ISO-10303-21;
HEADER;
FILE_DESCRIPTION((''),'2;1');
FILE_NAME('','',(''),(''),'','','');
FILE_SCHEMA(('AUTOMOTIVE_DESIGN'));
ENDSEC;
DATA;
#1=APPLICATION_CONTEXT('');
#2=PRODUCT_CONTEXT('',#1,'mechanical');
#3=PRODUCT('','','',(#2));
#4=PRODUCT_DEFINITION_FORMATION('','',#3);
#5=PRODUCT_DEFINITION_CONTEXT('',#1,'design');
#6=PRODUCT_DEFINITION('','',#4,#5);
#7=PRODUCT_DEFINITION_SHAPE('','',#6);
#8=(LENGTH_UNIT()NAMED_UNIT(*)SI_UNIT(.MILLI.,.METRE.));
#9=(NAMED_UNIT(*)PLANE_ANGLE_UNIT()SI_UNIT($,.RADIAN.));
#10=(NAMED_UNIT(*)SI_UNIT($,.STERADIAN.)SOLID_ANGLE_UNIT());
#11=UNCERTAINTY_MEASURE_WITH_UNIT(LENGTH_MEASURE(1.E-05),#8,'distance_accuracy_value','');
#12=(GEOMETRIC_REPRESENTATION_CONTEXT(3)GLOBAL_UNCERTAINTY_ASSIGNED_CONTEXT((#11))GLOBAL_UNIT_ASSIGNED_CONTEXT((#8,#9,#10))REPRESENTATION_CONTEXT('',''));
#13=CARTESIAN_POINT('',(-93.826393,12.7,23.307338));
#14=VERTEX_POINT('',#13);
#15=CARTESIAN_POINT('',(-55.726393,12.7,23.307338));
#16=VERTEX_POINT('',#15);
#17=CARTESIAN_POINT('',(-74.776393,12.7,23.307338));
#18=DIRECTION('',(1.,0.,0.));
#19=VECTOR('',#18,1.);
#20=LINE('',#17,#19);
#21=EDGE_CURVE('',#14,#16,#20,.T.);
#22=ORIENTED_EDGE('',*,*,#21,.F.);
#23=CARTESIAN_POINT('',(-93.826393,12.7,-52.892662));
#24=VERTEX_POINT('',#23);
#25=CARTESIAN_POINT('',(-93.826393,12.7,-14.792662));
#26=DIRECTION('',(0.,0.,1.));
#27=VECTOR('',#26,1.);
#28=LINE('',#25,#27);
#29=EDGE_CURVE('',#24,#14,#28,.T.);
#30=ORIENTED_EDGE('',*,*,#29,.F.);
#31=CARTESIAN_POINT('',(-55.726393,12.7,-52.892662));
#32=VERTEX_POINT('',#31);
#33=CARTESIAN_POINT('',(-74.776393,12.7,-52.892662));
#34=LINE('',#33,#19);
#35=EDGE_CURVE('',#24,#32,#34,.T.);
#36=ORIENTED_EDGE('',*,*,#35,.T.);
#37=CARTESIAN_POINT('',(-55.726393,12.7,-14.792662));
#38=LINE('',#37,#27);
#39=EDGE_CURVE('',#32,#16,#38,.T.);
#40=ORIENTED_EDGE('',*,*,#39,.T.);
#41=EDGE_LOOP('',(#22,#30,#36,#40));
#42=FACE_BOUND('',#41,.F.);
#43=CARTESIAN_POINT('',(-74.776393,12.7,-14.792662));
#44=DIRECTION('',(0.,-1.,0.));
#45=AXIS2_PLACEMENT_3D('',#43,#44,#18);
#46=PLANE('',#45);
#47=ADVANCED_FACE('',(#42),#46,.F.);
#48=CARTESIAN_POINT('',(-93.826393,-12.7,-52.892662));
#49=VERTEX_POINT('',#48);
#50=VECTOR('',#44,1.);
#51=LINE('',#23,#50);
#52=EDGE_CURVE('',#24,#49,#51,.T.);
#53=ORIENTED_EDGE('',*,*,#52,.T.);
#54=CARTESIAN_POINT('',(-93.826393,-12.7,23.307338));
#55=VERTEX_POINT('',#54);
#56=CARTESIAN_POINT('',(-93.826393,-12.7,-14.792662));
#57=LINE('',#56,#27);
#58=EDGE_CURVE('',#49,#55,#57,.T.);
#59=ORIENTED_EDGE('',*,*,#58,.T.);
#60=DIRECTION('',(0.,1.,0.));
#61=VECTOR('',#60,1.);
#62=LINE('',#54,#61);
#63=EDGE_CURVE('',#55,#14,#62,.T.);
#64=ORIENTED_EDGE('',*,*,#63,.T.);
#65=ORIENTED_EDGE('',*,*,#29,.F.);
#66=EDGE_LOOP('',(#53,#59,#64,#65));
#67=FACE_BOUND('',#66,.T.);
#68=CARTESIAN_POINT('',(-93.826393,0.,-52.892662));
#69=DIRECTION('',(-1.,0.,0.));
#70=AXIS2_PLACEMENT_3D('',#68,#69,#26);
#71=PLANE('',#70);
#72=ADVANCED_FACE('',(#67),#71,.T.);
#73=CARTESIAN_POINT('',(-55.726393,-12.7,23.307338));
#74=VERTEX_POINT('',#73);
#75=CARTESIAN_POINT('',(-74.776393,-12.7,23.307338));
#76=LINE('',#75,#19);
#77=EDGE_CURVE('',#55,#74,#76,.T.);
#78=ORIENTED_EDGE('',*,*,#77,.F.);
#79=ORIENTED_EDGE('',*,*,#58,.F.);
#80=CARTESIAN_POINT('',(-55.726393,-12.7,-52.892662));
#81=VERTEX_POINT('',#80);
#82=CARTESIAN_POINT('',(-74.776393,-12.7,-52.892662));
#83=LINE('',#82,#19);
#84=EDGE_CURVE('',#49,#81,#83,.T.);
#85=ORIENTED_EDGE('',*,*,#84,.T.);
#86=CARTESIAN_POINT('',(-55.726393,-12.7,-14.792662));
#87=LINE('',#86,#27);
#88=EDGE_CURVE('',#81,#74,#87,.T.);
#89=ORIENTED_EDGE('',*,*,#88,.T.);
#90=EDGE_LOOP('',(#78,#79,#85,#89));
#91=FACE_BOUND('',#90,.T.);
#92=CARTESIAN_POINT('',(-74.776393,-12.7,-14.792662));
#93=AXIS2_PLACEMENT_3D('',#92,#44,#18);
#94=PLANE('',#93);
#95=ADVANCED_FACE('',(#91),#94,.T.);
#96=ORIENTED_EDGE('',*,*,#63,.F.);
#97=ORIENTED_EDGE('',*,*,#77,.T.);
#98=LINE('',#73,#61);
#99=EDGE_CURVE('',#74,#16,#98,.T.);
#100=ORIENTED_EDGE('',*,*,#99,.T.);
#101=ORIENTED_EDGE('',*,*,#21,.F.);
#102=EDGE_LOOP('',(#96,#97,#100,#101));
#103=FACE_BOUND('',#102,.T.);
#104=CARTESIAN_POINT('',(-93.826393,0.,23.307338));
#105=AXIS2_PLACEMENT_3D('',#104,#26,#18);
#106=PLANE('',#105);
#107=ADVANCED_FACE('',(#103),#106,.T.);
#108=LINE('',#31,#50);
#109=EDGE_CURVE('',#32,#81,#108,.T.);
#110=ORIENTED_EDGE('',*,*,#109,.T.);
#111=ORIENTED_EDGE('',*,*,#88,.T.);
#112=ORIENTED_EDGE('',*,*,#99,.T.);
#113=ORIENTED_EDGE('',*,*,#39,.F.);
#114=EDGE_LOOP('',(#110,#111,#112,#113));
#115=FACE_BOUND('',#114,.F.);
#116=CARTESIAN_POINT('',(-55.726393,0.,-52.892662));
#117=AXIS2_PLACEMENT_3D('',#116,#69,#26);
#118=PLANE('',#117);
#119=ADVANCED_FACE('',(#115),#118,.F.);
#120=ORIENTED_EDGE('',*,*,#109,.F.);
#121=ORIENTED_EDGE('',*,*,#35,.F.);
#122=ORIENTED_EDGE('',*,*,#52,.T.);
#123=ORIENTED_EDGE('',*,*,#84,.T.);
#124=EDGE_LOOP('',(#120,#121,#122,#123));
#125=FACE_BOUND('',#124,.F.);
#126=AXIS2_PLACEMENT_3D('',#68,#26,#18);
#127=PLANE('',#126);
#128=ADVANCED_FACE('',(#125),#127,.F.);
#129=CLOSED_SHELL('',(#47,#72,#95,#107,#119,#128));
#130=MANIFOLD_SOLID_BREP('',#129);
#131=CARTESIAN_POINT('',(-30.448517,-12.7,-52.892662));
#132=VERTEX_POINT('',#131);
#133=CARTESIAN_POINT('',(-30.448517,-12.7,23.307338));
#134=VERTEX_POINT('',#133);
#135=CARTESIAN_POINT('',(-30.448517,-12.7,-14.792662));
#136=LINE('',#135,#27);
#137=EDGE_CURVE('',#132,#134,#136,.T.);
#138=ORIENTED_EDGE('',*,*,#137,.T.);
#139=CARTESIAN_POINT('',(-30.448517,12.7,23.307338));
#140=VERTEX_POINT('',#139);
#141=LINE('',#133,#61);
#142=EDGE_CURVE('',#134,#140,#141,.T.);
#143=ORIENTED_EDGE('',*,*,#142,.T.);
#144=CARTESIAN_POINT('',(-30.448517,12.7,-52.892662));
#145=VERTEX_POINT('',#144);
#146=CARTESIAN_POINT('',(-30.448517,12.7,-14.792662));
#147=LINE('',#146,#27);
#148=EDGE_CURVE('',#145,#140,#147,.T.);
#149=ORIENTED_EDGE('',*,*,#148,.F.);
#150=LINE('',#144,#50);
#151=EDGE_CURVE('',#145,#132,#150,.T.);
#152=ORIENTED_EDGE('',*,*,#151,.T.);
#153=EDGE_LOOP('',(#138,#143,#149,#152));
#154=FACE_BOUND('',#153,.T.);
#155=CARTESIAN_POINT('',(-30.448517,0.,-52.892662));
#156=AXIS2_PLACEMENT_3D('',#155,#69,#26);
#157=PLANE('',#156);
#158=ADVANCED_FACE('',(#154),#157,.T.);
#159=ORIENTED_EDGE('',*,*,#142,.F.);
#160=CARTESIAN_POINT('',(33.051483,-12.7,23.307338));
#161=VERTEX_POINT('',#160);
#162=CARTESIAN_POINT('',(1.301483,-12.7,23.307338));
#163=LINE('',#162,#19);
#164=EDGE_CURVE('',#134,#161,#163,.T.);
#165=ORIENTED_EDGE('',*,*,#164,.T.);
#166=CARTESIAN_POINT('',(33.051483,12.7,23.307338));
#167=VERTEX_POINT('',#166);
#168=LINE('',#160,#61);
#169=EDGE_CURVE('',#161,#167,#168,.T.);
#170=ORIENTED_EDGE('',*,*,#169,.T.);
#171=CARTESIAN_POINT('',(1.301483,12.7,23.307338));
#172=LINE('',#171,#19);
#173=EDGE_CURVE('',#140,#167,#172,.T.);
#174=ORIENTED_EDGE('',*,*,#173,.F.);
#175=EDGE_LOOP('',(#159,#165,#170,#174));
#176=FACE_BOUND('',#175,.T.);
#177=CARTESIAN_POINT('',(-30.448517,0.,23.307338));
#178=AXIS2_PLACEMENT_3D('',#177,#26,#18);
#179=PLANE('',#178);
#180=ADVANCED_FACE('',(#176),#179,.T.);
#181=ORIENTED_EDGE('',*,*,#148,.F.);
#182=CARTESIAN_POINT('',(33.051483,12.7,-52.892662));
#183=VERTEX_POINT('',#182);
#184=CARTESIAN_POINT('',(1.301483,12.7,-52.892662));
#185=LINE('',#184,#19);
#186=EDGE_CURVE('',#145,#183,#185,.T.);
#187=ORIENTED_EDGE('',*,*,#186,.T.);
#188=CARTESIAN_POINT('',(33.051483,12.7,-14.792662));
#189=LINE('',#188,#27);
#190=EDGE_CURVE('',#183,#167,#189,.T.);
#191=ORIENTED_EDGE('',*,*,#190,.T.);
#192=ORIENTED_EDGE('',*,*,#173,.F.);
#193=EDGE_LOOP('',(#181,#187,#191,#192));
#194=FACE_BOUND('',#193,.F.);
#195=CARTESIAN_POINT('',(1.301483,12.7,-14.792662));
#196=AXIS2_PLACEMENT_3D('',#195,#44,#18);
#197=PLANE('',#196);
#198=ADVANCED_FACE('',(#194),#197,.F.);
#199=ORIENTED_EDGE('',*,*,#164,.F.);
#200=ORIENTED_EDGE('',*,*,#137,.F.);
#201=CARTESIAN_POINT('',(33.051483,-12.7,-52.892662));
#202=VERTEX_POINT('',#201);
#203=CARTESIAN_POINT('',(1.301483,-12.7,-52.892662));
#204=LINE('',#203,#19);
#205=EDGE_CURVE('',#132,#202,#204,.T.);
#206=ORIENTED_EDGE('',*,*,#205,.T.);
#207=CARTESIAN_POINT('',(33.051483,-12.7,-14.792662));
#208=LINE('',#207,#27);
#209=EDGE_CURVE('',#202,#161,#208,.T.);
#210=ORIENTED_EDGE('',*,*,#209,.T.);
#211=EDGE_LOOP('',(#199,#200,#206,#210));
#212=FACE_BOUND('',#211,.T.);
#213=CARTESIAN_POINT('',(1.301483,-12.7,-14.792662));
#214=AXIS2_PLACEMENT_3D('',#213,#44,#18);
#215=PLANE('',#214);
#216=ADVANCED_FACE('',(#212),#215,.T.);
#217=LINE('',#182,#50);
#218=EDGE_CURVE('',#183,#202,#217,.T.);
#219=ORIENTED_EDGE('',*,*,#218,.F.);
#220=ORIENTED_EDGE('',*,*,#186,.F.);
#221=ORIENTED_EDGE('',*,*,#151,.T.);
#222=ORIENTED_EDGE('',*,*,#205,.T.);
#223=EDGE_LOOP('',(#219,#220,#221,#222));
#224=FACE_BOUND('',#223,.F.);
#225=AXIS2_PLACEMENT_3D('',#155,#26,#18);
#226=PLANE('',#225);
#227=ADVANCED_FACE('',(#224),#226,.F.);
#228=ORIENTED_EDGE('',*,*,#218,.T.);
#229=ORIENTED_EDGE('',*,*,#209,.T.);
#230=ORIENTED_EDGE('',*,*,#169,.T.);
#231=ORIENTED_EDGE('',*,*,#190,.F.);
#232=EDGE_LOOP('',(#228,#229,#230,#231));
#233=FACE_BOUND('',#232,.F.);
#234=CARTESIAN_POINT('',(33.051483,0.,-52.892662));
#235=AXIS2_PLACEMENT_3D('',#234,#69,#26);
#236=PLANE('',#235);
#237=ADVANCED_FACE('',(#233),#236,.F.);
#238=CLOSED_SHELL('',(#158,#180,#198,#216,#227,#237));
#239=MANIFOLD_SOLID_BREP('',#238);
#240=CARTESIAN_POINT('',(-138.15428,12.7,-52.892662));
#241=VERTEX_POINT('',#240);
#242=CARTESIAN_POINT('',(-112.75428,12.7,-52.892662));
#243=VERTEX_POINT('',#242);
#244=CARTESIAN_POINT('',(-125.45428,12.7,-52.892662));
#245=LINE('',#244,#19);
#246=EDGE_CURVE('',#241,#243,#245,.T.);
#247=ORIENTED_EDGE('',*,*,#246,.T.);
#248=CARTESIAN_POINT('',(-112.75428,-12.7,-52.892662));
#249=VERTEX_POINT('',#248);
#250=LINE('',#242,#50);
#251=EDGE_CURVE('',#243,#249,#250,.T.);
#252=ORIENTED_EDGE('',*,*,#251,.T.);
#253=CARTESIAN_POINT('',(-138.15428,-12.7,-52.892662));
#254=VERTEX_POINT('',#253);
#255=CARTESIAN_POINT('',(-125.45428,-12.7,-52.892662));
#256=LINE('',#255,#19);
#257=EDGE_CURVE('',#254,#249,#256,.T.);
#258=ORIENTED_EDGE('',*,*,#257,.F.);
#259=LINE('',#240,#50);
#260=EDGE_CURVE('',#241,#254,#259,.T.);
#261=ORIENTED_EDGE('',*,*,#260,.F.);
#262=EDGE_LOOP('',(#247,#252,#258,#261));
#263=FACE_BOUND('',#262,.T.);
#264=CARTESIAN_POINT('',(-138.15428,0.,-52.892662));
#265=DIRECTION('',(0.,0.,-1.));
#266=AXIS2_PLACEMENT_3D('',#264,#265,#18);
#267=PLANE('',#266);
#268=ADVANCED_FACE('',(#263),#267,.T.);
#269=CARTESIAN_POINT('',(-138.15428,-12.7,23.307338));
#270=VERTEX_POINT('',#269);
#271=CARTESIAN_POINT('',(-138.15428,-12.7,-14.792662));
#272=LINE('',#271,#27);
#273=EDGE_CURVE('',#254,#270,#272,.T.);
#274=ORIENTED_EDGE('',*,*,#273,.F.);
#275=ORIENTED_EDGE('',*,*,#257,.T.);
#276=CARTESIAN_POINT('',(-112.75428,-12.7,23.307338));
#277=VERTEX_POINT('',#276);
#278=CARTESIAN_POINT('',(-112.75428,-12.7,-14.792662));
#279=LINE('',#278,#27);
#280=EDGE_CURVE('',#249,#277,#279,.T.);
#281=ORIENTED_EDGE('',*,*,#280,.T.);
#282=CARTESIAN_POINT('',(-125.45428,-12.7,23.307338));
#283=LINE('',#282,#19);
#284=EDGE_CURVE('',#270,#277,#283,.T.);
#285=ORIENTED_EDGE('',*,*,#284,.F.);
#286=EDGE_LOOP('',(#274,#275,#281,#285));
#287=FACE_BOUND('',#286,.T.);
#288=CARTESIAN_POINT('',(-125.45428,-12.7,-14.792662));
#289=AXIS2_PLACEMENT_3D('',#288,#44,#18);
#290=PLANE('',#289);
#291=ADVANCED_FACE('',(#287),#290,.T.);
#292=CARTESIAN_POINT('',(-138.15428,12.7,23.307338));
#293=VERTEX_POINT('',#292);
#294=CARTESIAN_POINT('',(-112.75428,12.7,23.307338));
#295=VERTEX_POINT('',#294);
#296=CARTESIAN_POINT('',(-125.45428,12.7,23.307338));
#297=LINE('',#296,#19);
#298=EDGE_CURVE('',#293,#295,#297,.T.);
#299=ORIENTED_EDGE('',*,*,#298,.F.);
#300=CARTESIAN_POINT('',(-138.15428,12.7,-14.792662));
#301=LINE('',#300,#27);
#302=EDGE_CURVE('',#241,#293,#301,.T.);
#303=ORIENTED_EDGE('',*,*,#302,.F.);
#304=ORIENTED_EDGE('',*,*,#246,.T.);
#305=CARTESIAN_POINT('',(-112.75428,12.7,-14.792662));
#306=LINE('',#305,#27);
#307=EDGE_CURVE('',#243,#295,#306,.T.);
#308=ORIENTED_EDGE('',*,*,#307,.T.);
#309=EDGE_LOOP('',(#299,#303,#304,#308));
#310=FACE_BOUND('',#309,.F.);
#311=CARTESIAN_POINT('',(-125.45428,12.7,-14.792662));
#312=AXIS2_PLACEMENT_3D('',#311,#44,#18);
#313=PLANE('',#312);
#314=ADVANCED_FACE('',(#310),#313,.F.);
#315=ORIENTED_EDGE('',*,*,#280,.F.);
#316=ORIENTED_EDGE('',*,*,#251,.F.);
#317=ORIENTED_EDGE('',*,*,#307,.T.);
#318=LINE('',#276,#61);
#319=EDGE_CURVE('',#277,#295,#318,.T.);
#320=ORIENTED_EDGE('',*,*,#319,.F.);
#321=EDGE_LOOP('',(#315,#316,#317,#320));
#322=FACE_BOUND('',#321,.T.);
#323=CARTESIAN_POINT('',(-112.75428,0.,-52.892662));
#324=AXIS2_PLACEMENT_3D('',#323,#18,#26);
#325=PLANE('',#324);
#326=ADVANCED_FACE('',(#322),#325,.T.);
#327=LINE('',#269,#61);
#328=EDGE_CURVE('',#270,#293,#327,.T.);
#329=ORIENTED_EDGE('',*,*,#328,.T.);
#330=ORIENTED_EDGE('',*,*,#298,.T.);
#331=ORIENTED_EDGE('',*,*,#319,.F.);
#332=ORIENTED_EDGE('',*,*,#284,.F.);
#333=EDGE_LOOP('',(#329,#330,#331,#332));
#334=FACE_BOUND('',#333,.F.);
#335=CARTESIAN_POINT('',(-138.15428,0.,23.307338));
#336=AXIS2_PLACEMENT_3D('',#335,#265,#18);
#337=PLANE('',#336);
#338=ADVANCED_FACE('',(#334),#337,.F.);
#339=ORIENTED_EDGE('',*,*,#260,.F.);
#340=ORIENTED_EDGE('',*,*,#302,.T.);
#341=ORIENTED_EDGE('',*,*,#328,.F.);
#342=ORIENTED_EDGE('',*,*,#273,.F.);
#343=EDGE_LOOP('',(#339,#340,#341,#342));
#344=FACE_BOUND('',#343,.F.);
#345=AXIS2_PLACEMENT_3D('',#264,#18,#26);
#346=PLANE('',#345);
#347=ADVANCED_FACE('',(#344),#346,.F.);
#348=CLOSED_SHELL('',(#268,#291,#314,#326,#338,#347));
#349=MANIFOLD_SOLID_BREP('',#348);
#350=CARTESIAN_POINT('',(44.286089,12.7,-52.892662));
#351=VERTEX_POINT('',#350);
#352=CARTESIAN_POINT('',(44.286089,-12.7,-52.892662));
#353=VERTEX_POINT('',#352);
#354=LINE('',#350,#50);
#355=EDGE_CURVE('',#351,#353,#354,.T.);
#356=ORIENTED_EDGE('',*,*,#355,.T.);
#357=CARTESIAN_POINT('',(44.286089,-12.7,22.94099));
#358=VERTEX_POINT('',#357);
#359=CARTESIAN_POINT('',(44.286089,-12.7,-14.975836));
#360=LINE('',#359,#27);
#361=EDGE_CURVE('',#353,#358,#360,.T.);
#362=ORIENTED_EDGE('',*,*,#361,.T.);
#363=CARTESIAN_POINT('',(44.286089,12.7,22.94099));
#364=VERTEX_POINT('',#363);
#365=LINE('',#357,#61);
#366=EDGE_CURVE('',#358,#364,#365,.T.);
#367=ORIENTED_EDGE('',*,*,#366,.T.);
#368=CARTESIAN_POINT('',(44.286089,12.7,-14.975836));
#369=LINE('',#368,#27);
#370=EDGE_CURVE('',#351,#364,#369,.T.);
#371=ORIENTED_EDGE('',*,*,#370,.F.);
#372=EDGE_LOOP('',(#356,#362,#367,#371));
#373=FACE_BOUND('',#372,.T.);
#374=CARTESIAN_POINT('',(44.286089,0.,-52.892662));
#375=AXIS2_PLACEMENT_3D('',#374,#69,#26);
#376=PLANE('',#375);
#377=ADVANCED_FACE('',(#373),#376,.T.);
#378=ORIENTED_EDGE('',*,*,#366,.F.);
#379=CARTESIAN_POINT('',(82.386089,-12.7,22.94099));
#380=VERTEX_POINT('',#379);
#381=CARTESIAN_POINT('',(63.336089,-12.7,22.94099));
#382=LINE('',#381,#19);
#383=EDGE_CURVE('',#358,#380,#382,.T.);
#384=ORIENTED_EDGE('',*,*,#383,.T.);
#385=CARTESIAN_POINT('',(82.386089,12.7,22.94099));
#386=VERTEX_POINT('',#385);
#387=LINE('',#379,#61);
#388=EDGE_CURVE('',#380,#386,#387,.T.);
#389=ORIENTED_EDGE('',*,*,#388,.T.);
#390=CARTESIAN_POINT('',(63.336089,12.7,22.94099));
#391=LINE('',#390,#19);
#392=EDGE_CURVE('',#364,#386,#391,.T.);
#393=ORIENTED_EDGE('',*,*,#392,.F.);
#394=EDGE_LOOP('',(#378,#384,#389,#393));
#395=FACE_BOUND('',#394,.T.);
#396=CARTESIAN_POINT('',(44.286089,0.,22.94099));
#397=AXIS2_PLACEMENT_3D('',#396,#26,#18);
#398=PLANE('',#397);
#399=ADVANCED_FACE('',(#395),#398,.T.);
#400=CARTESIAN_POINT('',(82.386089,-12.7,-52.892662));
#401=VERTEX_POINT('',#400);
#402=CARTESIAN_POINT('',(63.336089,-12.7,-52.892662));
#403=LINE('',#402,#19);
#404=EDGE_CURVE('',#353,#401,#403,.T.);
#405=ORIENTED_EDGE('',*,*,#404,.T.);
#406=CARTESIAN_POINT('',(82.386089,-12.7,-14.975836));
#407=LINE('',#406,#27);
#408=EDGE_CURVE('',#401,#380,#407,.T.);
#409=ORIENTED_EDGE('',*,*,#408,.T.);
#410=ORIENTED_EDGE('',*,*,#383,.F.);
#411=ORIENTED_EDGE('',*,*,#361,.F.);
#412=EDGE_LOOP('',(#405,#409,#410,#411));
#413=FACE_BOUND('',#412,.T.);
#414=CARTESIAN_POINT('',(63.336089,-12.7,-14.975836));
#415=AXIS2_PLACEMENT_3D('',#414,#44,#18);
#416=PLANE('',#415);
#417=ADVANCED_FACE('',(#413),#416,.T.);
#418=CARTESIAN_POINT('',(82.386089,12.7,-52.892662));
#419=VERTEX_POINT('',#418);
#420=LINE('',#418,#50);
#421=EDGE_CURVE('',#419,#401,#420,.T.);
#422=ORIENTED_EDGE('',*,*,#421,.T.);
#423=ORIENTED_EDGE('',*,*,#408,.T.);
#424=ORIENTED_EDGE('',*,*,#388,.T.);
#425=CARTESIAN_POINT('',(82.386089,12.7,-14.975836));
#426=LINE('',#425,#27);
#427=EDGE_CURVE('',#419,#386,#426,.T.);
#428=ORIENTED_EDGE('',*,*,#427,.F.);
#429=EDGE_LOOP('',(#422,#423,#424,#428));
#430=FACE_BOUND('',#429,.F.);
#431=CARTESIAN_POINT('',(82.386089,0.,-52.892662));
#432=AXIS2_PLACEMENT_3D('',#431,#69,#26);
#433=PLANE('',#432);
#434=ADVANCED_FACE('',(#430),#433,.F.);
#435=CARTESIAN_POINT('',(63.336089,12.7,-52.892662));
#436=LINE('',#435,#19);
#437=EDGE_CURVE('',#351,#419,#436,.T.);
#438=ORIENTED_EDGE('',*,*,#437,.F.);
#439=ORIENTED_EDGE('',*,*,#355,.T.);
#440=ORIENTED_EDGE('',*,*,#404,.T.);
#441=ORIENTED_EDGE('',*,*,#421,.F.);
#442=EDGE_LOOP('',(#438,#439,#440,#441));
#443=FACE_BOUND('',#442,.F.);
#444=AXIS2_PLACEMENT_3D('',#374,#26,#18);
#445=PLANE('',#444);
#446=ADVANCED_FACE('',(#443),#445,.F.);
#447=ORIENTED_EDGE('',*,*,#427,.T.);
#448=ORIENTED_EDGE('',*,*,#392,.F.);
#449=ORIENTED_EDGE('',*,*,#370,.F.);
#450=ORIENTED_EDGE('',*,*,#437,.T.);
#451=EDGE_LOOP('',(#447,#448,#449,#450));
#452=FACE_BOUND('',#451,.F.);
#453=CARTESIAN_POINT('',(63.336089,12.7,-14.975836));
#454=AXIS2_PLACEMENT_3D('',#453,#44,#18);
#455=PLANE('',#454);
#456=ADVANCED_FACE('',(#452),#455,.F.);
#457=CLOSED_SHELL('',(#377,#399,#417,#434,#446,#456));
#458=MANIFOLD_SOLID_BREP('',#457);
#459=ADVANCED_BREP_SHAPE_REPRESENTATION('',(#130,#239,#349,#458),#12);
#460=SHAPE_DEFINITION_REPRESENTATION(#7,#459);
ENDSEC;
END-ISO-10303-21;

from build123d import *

# Parameters (mm, degrees)
F0_W     = 38.1
F0_H     = 76.2
F0_W_2   = 63.5
F0_H_2   = 75.833652
F0_W_3   = 25.4
F1_DEPTH = 12.7


with BuildPart() as f1:
    # F0 (on Front) → F1 (new body, symmetric)
    with BuildSketch(Plane.XZ):
        with Locations((-74.776393, -14.792662)):
            Rectangle(F0_W, F0_H)
        with Locations((1.301483, -14.792662)):
            Rectangle(F0_W_2, F0_H)
        with Locations((63.336089, -14.975836)):
            Rectangle(F0_W, F0_H_2)
        with Locations((-125.45428, -14.792662)):
            Rectangle(F0_W_3, F0_H)
    extrude(amount=F1_DEPTH, both=True)


solid = f1.part
